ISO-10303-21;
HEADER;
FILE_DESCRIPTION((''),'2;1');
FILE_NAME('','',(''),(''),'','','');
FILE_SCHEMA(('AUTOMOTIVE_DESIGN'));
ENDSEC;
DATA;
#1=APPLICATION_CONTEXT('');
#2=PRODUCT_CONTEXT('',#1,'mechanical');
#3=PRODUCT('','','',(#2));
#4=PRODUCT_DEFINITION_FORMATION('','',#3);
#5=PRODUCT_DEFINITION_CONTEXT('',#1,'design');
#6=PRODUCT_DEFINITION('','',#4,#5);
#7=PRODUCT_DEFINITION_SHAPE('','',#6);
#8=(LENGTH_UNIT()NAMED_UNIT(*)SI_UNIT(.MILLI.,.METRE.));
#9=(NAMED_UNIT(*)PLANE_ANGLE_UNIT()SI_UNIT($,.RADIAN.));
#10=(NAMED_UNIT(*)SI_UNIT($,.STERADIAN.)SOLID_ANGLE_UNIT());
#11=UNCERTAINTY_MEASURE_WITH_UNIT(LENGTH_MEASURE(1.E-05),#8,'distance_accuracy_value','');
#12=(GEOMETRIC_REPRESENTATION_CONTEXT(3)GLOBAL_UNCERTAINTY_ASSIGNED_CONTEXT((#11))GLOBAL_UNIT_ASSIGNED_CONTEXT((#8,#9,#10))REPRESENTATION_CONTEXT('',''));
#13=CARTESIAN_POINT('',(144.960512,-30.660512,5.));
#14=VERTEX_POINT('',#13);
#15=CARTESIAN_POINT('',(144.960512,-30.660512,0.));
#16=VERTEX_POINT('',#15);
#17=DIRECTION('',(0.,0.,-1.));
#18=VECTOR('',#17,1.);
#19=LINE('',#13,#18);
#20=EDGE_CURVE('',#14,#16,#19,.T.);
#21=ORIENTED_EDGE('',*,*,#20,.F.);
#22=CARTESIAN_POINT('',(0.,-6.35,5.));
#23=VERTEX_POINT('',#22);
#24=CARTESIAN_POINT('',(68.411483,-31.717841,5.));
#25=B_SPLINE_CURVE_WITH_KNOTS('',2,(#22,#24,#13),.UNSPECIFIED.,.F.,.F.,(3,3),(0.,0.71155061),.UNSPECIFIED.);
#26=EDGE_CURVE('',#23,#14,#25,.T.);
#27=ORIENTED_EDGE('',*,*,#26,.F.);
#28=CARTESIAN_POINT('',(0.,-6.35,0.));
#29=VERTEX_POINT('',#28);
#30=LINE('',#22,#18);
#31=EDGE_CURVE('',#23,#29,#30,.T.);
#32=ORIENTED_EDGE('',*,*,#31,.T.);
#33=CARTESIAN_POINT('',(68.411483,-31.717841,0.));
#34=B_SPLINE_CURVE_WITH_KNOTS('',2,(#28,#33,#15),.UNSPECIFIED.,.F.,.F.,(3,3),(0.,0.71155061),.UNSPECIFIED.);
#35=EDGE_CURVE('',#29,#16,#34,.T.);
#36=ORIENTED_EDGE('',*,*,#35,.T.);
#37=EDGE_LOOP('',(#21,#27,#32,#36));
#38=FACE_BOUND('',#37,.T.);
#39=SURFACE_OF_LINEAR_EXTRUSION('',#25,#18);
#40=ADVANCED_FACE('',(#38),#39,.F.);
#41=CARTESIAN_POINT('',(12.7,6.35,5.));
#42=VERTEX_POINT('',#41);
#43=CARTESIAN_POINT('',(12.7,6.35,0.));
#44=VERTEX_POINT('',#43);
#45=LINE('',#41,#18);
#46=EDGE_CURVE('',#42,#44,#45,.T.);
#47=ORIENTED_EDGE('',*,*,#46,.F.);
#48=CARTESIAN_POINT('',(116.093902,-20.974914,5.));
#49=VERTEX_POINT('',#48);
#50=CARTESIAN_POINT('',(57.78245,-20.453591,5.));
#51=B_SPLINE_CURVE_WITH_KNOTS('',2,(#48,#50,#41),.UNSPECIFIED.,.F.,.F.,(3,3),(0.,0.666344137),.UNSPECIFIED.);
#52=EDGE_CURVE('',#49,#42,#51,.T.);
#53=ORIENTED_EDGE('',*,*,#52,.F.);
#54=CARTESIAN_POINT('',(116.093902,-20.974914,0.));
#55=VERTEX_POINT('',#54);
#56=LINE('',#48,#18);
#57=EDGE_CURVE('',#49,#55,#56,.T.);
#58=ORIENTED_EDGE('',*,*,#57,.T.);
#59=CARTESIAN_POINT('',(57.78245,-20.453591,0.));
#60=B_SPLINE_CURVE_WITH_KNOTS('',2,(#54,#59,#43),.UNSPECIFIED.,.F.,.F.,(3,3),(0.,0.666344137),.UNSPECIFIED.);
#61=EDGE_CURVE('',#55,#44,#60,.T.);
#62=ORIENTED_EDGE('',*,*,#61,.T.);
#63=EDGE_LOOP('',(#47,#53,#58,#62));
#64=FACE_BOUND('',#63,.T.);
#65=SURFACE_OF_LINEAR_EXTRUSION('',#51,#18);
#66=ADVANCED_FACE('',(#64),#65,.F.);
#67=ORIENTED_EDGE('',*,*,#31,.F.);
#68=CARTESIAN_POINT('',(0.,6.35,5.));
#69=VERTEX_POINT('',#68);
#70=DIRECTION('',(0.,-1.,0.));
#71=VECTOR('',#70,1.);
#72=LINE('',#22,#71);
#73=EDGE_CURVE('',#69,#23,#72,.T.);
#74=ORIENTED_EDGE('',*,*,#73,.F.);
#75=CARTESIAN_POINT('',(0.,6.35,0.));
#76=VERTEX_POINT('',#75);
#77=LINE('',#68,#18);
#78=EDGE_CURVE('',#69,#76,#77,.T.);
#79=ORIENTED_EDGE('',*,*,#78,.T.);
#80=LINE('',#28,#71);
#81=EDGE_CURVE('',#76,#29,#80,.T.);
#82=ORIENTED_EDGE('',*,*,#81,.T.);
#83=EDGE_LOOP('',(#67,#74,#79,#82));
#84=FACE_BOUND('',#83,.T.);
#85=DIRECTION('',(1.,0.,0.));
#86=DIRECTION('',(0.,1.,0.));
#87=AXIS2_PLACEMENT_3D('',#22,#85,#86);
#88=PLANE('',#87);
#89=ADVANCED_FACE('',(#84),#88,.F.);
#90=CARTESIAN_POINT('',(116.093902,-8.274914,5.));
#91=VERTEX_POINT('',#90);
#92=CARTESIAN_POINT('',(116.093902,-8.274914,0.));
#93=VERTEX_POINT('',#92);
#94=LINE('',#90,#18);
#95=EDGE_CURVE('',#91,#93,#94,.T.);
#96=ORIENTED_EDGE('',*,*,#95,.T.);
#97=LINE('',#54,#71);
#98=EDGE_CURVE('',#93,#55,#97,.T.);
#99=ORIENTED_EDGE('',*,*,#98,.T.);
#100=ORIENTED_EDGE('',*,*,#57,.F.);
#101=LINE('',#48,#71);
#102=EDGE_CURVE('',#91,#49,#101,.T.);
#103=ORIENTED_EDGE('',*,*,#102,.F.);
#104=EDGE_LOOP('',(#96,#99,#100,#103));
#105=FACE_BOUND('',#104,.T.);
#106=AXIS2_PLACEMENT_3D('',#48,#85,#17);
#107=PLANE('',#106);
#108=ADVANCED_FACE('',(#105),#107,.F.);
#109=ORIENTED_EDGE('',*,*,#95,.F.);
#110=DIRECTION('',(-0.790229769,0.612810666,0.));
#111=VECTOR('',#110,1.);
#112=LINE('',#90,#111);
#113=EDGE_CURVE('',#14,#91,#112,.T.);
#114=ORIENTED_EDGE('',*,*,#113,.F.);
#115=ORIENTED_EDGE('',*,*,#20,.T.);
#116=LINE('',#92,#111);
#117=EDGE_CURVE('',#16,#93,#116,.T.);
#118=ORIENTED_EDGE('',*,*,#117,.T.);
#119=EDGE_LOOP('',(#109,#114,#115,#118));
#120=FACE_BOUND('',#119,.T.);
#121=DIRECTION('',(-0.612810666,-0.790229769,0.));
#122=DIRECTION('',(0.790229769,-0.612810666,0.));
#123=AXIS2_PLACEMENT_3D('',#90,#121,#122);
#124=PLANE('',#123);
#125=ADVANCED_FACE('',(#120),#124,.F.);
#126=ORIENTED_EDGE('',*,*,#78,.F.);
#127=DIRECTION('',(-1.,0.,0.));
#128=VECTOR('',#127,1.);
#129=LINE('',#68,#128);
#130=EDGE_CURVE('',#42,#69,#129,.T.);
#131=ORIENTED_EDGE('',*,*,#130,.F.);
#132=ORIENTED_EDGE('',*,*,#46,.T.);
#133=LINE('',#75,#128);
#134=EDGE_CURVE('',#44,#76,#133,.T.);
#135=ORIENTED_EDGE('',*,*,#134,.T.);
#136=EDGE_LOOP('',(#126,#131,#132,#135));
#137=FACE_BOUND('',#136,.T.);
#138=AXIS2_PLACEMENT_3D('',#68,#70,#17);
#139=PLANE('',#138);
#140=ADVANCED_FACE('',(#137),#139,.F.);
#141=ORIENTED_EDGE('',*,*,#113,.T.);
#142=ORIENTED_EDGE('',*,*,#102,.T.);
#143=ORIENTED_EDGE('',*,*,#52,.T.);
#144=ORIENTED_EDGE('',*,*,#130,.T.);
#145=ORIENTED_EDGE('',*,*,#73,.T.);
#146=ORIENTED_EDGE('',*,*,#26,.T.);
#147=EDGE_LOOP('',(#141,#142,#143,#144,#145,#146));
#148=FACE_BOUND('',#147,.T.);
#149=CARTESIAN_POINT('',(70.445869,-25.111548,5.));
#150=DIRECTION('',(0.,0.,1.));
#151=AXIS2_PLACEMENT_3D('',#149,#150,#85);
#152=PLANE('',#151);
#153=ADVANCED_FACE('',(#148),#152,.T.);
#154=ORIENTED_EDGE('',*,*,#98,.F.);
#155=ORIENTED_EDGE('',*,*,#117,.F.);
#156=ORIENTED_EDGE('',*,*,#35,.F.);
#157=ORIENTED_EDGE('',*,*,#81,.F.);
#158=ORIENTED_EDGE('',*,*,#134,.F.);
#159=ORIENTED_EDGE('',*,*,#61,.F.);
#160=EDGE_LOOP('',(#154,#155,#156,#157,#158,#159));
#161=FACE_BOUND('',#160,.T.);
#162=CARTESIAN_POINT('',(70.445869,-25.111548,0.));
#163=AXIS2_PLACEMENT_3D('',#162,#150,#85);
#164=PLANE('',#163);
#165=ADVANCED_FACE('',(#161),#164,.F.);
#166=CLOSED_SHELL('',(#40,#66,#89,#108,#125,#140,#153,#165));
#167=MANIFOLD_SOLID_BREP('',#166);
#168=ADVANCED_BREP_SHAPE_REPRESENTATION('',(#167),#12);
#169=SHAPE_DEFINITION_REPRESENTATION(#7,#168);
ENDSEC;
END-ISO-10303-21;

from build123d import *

# Parameters (mm, degrees)
BOSS_EXTRUDE1_DEPTH = 5


with BuildPart() as part:
    # Sketch1 → Boss-Extrude1 (new body)
    with BuildSketch(Plane.XY):
        with BuildLine():
            Line((0, -6.35), (0, 6.35))
            Line((0, 6.35), (12.7, 6.35))
            add(Edge.make_bspline(
                [(116.09390226, -20.974913526), (57.782450288, -20.453591086), (12.7, 6.35)],
                knots=[0, 0, 0, 0.666344137, 0.666344137, 0.666344137], degree=2))
            Line((116.09390226, -20.974913526), (116.09390226, -8.274913526))
            Line((116.09390226, -8.274913526), (144.960512242, -30.660512242))
            add(Edge.make_bspline(
                [(144.960512242, -30.660512242), (68.411482742, -31.717840837), (0, -6.35)],
                knots=[0, 0, 0, 0.71155061, 0.71155061, 0.71155061], degree=2))
        make_face()
    extrude(amount=BOSS_EXTRUDE1_DEPTH)


solid = part.part
